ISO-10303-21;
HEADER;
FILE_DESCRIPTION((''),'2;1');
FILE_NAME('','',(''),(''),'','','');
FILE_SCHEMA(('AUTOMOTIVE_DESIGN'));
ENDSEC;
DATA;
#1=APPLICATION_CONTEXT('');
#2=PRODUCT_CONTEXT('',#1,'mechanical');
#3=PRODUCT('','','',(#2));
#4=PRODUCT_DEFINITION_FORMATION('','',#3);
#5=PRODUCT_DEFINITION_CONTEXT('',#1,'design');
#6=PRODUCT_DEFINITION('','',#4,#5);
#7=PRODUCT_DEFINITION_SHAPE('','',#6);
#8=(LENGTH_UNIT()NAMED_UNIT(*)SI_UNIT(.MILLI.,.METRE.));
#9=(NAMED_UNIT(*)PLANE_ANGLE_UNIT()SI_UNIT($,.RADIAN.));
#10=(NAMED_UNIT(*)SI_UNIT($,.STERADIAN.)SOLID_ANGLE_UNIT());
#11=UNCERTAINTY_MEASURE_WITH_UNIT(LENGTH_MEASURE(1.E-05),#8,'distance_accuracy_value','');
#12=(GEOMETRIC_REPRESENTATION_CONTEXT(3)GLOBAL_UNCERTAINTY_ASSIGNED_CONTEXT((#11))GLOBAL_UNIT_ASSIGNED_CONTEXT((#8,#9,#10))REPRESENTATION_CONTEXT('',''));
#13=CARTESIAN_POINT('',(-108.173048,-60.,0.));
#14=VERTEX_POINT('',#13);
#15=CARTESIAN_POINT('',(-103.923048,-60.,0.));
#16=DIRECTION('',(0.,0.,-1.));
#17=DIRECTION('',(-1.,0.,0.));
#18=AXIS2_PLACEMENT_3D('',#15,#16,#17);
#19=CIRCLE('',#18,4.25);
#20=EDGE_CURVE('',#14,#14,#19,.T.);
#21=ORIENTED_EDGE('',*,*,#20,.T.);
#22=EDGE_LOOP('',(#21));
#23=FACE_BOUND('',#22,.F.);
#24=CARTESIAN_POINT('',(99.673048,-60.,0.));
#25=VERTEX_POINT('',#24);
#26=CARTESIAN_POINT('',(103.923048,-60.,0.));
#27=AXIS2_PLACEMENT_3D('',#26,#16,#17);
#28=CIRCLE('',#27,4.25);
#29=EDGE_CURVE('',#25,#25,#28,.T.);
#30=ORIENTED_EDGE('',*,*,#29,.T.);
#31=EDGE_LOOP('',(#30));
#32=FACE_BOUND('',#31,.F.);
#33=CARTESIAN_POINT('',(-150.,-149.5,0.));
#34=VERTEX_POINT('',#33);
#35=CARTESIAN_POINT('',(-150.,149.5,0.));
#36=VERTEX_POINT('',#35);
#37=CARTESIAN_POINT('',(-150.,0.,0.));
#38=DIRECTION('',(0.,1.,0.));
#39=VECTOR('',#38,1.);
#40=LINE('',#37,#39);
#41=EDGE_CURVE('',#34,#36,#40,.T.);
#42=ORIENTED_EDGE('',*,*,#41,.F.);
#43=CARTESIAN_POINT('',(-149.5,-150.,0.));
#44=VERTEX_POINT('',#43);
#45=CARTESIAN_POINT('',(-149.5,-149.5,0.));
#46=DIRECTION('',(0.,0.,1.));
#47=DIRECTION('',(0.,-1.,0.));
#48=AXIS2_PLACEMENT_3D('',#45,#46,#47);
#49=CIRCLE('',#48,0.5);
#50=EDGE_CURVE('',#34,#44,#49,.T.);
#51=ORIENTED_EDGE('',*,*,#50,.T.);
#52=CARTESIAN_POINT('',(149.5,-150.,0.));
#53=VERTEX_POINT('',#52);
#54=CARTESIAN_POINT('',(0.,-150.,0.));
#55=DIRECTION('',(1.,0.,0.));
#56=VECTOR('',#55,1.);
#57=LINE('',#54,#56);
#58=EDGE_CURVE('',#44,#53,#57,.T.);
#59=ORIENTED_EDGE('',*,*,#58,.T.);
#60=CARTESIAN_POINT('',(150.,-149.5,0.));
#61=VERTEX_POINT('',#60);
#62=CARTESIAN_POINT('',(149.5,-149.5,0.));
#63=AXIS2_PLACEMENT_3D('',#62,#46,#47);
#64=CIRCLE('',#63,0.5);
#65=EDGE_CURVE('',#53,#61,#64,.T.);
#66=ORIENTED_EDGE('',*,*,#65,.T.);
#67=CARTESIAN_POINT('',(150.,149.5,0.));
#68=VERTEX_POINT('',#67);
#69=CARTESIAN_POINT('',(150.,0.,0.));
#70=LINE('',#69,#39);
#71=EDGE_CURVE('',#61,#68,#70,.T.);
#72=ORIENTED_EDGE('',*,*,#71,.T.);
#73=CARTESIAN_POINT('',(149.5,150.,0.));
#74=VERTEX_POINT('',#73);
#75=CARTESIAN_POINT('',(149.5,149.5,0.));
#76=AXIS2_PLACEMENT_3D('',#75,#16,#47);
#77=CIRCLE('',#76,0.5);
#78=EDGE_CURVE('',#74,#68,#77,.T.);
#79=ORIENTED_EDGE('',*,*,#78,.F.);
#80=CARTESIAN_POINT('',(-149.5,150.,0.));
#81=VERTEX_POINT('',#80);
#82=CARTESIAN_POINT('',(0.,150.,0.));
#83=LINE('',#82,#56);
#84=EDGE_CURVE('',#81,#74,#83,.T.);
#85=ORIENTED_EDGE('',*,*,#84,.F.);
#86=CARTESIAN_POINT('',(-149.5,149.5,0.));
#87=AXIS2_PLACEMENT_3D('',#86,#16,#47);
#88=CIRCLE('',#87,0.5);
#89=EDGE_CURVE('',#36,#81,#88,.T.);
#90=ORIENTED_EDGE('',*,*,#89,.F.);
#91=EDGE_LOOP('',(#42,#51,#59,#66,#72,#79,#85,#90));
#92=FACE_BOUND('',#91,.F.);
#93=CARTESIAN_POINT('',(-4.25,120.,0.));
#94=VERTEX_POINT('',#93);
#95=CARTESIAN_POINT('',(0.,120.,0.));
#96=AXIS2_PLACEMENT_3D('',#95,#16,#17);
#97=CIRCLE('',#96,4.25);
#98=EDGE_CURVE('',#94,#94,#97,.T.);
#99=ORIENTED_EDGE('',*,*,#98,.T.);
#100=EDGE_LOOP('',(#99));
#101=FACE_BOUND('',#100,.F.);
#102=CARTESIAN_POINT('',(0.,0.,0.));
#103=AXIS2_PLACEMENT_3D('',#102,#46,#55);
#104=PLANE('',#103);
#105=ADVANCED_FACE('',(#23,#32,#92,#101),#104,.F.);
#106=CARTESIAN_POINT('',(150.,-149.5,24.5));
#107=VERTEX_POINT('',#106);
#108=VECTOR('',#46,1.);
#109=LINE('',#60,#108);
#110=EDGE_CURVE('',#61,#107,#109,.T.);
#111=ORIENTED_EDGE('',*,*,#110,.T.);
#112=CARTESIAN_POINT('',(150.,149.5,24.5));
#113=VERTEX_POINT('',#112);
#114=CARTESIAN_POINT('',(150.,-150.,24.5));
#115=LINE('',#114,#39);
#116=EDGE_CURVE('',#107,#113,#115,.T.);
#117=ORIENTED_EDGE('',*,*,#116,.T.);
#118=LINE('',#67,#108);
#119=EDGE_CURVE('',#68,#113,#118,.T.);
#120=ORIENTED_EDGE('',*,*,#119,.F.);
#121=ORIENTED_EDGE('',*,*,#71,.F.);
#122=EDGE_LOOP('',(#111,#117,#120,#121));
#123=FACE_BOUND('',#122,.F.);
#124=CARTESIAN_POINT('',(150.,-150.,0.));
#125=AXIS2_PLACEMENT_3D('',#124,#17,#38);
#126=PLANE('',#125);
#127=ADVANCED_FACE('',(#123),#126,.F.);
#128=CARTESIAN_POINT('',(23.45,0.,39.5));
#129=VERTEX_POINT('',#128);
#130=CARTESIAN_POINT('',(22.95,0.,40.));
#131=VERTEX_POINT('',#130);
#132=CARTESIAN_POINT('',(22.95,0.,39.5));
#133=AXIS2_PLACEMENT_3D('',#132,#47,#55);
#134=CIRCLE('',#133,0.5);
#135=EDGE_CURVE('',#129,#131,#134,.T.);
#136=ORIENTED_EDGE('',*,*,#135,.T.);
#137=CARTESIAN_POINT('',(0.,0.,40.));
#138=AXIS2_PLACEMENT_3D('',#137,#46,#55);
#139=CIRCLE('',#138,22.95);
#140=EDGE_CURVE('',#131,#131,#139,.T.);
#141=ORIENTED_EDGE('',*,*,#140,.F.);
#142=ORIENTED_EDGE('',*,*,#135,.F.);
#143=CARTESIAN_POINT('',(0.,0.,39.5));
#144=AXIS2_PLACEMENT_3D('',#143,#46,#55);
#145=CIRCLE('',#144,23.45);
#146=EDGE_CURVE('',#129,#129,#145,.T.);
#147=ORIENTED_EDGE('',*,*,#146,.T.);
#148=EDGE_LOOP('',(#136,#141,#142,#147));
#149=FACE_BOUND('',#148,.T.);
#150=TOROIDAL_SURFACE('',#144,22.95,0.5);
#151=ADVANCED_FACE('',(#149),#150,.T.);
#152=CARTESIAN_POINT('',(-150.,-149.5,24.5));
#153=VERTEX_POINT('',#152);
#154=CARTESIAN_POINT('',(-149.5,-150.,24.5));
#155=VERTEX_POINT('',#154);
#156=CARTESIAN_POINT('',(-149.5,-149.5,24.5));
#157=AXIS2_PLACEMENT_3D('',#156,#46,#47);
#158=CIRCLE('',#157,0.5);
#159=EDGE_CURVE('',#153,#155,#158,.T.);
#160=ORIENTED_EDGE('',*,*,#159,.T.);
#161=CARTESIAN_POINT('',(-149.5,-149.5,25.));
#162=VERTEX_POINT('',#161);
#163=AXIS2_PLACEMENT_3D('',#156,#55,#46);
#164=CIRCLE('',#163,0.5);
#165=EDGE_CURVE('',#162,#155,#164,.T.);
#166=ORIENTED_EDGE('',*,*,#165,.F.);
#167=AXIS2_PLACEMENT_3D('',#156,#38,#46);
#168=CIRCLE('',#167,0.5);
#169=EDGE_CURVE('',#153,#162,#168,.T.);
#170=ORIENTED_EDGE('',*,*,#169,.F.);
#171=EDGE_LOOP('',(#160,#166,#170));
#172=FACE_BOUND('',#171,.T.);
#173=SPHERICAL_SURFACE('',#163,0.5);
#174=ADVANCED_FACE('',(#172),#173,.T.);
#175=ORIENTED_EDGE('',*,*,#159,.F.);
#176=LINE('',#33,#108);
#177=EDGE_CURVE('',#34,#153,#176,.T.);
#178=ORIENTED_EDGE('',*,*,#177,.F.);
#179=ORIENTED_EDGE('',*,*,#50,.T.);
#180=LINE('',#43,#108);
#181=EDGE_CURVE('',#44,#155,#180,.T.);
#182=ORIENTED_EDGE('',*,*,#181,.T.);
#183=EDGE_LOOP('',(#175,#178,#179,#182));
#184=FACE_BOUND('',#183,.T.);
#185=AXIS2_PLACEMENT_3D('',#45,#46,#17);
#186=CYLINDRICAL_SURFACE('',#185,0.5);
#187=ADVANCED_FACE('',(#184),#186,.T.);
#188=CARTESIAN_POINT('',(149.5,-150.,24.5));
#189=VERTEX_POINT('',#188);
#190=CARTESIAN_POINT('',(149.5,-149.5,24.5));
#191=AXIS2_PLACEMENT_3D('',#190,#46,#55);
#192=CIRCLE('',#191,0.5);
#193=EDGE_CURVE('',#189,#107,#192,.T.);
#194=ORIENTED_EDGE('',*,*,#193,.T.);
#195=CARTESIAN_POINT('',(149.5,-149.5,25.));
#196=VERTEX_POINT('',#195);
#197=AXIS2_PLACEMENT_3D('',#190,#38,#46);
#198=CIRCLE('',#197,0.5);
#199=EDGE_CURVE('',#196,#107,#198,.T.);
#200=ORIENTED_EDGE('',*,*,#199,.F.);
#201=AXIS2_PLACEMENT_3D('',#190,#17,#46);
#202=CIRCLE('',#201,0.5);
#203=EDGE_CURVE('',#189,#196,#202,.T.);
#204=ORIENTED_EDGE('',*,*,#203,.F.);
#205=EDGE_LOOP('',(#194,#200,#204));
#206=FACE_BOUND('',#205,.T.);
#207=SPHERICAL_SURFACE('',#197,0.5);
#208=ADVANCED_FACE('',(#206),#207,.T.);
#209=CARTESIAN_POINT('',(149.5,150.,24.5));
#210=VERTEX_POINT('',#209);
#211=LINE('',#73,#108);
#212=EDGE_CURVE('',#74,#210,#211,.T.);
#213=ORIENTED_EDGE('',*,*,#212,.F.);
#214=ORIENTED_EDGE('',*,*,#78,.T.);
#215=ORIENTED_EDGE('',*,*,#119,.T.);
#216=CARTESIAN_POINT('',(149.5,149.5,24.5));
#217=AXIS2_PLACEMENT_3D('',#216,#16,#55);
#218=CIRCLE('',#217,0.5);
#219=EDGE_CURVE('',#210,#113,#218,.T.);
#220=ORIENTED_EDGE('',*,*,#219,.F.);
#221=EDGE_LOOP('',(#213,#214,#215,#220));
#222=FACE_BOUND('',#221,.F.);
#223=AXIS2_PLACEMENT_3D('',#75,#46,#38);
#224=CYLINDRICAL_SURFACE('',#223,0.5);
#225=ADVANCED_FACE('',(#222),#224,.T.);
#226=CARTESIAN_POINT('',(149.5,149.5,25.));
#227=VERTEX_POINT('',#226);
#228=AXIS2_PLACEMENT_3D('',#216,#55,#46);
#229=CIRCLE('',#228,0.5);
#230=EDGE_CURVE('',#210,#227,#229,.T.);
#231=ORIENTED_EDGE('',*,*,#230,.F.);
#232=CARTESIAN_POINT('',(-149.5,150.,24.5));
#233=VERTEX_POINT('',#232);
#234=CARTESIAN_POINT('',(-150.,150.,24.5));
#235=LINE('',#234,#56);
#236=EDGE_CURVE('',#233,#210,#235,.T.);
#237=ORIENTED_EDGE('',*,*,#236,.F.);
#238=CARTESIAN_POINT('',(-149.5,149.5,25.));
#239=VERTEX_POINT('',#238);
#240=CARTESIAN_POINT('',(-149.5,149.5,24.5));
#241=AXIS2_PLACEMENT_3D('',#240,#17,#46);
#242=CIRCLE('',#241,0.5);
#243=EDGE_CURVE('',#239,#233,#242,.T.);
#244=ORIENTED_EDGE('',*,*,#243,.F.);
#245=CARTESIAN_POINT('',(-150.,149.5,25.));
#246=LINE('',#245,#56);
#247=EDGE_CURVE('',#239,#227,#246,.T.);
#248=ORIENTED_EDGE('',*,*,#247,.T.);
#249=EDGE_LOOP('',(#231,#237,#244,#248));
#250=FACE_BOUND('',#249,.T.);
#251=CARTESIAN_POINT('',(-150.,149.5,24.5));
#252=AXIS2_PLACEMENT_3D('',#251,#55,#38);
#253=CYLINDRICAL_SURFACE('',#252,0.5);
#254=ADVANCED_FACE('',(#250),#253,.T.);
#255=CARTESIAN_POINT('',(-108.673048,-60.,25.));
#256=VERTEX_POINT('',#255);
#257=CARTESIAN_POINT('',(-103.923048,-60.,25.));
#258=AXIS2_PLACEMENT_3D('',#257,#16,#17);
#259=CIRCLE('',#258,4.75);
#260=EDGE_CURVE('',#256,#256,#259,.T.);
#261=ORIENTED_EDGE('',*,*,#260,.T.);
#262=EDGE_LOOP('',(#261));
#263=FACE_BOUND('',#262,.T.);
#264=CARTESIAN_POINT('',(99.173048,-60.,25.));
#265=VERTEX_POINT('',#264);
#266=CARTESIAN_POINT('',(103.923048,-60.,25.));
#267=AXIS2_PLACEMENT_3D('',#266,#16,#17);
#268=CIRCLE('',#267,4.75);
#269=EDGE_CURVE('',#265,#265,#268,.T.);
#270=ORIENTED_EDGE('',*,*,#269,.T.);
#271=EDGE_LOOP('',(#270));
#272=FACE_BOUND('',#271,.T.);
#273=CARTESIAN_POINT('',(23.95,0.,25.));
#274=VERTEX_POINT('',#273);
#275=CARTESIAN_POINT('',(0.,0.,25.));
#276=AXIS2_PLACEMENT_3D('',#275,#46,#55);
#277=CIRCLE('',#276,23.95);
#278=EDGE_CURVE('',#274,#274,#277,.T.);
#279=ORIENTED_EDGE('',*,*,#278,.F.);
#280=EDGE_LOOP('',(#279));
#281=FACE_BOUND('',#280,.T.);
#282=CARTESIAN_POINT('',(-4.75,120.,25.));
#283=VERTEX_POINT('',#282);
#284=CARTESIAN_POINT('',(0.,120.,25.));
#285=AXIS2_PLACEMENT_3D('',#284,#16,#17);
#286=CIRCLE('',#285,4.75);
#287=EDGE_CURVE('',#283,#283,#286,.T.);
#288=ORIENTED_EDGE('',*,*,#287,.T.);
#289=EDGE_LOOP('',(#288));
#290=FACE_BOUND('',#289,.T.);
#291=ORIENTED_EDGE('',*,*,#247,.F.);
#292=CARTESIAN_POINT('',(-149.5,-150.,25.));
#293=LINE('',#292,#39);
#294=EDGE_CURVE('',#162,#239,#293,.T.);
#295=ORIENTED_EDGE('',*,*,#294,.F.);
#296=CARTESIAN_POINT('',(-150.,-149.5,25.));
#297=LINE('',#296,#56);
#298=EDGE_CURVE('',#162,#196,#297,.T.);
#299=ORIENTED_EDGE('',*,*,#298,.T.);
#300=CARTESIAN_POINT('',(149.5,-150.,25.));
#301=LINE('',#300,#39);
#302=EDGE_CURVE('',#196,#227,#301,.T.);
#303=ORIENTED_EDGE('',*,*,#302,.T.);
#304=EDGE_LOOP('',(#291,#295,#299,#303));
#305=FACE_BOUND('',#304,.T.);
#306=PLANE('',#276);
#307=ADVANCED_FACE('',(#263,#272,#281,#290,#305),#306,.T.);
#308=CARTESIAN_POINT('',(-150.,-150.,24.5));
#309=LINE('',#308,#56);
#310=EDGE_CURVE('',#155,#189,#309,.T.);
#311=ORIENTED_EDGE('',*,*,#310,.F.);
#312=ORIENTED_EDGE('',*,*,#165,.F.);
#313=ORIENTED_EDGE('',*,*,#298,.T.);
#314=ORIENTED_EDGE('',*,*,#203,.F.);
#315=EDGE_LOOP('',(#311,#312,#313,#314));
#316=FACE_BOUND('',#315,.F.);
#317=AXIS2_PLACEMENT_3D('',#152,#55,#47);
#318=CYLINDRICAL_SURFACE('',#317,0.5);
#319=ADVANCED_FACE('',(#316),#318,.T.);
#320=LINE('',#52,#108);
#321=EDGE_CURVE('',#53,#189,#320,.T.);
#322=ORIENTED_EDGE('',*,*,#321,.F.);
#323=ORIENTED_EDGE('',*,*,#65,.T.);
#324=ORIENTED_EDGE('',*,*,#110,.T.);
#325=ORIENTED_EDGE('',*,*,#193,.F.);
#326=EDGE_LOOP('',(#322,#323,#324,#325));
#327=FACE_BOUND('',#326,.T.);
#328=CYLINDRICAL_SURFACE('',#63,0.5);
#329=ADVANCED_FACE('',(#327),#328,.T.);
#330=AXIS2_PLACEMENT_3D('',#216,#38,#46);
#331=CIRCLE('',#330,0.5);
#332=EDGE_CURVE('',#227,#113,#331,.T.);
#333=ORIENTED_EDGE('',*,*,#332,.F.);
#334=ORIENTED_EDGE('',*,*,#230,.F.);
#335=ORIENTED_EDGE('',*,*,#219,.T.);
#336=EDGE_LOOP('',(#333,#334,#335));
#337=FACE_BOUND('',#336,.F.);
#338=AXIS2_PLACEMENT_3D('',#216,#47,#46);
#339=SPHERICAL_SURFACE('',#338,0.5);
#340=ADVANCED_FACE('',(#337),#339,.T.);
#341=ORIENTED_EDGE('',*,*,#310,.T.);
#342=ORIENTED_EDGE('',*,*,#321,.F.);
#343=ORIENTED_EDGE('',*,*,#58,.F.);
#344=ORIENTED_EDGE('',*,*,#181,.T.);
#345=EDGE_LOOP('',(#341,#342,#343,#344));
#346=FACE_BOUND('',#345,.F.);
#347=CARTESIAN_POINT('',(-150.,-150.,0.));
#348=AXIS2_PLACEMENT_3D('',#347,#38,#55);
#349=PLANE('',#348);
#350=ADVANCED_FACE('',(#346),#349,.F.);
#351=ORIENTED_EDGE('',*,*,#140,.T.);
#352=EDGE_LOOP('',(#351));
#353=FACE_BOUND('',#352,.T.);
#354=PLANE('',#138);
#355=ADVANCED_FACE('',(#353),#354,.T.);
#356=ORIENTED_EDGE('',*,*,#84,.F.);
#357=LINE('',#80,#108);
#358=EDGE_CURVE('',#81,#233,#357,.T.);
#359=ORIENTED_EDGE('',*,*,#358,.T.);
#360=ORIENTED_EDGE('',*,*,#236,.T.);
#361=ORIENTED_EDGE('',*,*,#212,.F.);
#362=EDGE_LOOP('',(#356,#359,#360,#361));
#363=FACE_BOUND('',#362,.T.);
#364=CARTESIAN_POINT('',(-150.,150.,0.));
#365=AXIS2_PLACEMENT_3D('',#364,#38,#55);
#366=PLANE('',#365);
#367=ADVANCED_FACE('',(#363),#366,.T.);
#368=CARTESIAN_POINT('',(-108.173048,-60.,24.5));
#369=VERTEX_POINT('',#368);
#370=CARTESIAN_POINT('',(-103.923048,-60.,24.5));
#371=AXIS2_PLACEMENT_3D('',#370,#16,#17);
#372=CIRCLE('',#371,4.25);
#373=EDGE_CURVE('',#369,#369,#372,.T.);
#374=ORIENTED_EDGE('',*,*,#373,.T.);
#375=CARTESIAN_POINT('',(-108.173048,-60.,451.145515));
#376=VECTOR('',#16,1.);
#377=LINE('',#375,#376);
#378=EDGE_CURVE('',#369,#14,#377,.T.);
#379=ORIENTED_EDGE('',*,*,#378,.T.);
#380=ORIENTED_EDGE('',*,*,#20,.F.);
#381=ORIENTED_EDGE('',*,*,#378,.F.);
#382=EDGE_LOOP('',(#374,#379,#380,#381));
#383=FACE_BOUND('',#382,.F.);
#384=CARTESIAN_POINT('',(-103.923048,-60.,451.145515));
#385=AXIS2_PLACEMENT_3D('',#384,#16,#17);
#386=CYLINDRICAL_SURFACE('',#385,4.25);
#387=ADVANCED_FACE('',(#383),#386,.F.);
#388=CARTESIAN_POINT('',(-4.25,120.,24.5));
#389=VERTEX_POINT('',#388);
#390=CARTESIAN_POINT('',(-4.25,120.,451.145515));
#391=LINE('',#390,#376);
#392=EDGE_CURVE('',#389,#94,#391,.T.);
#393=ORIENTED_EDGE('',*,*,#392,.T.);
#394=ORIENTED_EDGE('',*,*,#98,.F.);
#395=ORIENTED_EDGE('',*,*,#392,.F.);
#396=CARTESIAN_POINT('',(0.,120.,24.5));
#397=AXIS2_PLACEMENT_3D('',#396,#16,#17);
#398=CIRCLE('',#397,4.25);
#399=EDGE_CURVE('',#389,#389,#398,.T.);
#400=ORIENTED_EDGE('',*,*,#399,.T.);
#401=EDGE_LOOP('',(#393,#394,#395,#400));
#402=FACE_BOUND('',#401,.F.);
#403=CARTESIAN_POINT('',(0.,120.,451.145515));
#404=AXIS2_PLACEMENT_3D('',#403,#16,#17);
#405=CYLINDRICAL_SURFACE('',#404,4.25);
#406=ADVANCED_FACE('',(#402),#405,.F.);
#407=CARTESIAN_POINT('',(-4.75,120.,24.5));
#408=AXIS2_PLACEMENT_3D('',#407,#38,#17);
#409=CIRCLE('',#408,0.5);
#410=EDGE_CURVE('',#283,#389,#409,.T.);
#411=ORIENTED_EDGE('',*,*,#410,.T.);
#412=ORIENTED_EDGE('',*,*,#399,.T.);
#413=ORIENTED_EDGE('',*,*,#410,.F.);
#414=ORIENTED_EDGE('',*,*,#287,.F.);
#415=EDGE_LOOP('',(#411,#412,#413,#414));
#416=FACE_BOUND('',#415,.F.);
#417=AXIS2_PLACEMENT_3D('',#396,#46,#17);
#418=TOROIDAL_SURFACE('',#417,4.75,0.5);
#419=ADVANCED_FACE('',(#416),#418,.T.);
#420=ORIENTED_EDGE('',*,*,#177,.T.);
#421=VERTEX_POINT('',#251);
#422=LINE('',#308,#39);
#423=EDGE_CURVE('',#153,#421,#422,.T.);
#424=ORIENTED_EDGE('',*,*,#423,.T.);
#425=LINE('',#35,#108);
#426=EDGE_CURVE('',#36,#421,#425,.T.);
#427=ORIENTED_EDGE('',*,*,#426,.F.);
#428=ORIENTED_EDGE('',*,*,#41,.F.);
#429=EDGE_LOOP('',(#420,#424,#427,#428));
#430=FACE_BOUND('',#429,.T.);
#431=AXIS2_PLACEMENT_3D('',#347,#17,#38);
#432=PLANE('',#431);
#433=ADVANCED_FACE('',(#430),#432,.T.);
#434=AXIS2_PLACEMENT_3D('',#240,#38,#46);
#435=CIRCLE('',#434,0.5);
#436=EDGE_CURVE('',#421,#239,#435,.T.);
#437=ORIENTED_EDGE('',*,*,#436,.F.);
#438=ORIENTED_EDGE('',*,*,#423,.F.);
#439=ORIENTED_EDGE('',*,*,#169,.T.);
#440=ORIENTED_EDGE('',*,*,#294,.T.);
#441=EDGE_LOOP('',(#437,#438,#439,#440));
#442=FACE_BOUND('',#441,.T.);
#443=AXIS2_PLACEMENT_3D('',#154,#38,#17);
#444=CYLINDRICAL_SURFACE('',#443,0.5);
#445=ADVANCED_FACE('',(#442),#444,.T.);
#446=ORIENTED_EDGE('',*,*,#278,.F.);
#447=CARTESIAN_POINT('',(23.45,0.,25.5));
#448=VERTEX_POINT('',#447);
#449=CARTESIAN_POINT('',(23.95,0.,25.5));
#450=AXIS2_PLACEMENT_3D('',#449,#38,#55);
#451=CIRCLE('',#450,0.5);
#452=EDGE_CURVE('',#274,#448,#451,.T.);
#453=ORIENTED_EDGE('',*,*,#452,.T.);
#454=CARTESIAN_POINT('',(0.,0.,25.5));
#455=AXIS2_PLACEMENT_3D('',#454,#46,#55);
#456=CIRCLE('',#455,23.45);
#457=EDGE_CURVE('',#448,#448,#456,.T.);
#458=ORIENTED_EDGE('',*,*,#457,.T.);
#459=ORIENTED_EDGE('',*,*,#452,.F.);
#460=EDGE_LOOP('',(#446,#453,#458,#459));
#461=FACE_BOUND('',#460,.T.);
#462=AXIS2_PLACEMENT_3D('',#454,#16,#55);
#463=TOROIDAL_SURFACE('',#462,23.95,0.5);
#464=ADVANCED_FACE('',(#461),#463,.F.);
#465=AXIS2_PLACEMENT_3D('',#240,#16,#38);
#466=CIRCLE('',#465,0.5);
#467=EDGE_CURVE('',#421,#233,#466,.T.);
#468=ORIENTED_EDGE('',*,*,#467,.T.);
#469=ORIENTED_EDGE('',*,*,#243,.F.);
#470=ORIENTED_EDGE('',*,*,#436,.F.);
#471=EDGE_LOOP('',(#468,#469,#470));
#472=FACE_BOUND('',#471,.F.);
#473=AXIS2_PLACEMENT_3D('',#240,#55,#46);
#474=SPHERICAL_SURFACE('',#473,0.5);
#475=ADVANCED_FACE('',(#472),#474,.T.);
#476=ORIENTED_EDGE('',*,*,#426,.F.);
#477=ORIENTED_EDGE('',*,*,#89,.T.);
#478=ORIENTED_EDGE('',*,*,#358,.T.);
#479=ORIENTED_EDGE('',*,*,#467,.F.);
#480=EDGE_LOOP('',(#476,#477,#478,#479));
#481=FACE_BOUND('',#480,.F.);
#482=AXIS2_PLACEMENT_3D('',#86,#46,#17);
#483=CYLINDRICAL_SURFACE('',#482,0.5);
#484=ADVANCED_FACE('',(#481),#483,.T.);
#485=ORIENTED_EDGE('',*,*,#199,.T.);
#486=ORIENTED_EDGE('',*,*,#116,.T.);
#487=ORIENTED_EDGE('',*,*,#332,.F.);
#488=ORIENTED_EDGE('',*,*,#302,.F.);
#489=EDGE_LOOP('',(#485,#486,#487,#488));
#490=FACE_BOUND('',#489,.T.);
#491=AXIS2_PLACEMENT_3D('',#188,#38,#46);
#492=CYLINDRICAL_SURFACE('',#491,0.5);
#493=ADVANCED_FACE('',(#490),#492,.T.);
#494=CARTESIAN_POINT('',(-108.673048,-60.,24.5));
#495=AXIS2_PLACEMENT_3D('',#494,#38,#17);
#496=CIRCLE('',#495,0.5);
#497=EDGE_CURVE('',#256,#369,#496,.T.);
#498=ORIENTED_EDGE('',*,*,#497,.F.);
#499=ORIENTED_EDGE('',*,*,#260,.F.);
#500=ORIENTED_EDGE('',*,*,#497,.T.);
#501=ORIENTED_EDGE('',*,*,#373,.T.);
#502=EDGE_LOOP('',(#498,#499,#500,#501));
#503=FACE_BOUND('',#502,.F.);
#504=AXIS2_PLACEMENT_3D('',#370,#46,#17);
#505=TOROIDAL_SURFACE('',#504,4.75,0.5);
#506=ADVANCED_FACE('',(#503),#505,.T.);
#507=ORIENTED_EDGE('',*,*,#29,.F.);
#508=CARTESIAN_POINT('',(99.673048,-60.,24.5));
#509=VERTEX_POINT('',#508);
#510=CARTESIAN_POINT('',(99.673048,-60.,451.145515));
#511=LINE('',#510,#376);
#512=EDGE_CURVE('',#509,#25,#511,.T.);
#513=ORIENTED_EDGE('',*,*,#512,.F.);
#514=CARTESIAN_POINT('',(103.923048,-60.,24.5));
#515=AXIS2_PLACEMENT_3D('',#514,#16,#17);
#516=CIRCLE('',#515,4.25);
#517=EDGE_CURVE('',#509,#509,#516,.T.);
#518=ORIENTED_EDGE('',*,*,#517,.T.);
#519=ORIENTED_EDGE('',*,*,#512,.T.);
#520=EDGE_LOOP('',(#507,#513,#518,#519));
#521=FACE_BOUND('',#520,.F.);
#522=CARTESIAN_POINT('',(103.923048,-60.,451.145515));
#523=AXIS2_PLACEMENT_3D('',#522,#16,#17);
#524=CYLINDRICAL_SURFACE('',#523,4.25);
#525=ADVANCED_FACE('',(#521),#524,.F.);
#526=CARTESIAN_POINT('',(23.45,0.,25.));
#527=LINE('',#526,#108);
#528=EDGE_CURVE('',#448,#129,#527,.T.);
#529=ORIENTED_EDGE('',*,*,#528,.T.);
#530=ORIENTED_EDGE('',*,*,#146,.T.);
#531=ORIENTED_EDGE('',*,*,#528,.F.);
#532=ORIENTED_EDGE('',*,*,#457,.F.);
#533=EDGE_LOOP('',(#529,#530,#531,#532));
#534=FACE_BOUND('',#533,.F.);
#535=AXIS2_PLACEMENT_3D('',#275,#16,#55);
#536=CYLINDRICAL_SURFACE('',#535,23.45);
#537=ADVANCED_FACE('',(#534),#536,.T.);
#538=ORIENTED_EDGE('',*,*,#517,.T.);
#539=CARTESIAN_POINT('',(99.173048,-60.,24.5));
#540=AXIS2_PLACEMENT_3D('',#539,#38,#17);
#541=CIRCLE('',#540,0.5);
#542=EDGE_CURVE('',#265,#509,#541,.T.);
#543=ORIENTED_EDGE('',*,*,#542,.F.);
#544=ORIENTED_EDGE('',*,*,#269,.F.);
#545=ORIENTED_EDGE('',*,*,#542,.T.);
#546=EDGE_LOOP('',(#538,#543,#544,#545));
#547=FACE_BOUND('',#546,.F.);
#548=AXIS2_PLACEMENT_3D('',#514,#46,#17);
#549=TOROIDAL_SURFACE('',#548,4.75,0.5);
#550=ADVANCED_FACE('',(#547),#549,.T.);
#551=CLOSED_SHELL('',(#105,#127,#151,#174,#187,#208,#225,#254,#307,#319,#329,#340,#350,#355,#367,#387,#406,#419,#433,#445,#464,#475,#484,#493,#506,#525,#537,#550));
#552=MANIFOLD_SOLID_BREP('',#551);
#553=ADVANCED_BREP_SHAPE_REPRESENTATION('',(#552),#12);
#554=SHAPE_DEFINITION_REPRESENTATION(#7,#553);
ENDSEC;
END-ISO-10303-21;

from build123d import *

# Parameters (mm, degrees)
F0_W     = 300
F0_H     = 300
F1_DEPTH = 25
F2_R     = 23.45
F3_DEPTH = 15
F5_D     = 8.5
F6_R     = 0.5


with BuildPart() as f1:
    # F0 (on Top) → F1 (new body)
    with BuildSketch(Plane.XY):
        Rectangle(F0_W, F0_H)
    extrude(amount=F1_DEPTH)

    # F2 (on face) → F3 (join)
    with BuildSketch(Plane.XY.offset(25)):
        Circle(F2_R)
    extrude(amount=F3_DEPTH)

    # F5 (through all)
    with Locations(Plane.XY.offset(25)):
        with Locations((0, 120), (103.9230484541, -60), (-103.9230484541, -60)):
            Hole(F5_D / 2)

    # F6
    f6_edges = [f1.edges().sort_by_distance(p)[0] for p in [
        (-23.45, 0, 40),
        (150, 0, 25),
        (0, -150, 25),
        (0, 150, 25),
        (-150, 0, 25),
        (-108.173048, -60, 25),
        (-23.45, 0, 25),
        (99.673048, -60, 25),
        (-4.25, 120, 25),
        (150, -150, 12.5),
        (150, 150, 12.5),
        (-150, -150, 12.5),
        (-150, 150, 12.5),
    ]]
    fillet(f6_edges, radius=F6_R)


solid = f1.part
